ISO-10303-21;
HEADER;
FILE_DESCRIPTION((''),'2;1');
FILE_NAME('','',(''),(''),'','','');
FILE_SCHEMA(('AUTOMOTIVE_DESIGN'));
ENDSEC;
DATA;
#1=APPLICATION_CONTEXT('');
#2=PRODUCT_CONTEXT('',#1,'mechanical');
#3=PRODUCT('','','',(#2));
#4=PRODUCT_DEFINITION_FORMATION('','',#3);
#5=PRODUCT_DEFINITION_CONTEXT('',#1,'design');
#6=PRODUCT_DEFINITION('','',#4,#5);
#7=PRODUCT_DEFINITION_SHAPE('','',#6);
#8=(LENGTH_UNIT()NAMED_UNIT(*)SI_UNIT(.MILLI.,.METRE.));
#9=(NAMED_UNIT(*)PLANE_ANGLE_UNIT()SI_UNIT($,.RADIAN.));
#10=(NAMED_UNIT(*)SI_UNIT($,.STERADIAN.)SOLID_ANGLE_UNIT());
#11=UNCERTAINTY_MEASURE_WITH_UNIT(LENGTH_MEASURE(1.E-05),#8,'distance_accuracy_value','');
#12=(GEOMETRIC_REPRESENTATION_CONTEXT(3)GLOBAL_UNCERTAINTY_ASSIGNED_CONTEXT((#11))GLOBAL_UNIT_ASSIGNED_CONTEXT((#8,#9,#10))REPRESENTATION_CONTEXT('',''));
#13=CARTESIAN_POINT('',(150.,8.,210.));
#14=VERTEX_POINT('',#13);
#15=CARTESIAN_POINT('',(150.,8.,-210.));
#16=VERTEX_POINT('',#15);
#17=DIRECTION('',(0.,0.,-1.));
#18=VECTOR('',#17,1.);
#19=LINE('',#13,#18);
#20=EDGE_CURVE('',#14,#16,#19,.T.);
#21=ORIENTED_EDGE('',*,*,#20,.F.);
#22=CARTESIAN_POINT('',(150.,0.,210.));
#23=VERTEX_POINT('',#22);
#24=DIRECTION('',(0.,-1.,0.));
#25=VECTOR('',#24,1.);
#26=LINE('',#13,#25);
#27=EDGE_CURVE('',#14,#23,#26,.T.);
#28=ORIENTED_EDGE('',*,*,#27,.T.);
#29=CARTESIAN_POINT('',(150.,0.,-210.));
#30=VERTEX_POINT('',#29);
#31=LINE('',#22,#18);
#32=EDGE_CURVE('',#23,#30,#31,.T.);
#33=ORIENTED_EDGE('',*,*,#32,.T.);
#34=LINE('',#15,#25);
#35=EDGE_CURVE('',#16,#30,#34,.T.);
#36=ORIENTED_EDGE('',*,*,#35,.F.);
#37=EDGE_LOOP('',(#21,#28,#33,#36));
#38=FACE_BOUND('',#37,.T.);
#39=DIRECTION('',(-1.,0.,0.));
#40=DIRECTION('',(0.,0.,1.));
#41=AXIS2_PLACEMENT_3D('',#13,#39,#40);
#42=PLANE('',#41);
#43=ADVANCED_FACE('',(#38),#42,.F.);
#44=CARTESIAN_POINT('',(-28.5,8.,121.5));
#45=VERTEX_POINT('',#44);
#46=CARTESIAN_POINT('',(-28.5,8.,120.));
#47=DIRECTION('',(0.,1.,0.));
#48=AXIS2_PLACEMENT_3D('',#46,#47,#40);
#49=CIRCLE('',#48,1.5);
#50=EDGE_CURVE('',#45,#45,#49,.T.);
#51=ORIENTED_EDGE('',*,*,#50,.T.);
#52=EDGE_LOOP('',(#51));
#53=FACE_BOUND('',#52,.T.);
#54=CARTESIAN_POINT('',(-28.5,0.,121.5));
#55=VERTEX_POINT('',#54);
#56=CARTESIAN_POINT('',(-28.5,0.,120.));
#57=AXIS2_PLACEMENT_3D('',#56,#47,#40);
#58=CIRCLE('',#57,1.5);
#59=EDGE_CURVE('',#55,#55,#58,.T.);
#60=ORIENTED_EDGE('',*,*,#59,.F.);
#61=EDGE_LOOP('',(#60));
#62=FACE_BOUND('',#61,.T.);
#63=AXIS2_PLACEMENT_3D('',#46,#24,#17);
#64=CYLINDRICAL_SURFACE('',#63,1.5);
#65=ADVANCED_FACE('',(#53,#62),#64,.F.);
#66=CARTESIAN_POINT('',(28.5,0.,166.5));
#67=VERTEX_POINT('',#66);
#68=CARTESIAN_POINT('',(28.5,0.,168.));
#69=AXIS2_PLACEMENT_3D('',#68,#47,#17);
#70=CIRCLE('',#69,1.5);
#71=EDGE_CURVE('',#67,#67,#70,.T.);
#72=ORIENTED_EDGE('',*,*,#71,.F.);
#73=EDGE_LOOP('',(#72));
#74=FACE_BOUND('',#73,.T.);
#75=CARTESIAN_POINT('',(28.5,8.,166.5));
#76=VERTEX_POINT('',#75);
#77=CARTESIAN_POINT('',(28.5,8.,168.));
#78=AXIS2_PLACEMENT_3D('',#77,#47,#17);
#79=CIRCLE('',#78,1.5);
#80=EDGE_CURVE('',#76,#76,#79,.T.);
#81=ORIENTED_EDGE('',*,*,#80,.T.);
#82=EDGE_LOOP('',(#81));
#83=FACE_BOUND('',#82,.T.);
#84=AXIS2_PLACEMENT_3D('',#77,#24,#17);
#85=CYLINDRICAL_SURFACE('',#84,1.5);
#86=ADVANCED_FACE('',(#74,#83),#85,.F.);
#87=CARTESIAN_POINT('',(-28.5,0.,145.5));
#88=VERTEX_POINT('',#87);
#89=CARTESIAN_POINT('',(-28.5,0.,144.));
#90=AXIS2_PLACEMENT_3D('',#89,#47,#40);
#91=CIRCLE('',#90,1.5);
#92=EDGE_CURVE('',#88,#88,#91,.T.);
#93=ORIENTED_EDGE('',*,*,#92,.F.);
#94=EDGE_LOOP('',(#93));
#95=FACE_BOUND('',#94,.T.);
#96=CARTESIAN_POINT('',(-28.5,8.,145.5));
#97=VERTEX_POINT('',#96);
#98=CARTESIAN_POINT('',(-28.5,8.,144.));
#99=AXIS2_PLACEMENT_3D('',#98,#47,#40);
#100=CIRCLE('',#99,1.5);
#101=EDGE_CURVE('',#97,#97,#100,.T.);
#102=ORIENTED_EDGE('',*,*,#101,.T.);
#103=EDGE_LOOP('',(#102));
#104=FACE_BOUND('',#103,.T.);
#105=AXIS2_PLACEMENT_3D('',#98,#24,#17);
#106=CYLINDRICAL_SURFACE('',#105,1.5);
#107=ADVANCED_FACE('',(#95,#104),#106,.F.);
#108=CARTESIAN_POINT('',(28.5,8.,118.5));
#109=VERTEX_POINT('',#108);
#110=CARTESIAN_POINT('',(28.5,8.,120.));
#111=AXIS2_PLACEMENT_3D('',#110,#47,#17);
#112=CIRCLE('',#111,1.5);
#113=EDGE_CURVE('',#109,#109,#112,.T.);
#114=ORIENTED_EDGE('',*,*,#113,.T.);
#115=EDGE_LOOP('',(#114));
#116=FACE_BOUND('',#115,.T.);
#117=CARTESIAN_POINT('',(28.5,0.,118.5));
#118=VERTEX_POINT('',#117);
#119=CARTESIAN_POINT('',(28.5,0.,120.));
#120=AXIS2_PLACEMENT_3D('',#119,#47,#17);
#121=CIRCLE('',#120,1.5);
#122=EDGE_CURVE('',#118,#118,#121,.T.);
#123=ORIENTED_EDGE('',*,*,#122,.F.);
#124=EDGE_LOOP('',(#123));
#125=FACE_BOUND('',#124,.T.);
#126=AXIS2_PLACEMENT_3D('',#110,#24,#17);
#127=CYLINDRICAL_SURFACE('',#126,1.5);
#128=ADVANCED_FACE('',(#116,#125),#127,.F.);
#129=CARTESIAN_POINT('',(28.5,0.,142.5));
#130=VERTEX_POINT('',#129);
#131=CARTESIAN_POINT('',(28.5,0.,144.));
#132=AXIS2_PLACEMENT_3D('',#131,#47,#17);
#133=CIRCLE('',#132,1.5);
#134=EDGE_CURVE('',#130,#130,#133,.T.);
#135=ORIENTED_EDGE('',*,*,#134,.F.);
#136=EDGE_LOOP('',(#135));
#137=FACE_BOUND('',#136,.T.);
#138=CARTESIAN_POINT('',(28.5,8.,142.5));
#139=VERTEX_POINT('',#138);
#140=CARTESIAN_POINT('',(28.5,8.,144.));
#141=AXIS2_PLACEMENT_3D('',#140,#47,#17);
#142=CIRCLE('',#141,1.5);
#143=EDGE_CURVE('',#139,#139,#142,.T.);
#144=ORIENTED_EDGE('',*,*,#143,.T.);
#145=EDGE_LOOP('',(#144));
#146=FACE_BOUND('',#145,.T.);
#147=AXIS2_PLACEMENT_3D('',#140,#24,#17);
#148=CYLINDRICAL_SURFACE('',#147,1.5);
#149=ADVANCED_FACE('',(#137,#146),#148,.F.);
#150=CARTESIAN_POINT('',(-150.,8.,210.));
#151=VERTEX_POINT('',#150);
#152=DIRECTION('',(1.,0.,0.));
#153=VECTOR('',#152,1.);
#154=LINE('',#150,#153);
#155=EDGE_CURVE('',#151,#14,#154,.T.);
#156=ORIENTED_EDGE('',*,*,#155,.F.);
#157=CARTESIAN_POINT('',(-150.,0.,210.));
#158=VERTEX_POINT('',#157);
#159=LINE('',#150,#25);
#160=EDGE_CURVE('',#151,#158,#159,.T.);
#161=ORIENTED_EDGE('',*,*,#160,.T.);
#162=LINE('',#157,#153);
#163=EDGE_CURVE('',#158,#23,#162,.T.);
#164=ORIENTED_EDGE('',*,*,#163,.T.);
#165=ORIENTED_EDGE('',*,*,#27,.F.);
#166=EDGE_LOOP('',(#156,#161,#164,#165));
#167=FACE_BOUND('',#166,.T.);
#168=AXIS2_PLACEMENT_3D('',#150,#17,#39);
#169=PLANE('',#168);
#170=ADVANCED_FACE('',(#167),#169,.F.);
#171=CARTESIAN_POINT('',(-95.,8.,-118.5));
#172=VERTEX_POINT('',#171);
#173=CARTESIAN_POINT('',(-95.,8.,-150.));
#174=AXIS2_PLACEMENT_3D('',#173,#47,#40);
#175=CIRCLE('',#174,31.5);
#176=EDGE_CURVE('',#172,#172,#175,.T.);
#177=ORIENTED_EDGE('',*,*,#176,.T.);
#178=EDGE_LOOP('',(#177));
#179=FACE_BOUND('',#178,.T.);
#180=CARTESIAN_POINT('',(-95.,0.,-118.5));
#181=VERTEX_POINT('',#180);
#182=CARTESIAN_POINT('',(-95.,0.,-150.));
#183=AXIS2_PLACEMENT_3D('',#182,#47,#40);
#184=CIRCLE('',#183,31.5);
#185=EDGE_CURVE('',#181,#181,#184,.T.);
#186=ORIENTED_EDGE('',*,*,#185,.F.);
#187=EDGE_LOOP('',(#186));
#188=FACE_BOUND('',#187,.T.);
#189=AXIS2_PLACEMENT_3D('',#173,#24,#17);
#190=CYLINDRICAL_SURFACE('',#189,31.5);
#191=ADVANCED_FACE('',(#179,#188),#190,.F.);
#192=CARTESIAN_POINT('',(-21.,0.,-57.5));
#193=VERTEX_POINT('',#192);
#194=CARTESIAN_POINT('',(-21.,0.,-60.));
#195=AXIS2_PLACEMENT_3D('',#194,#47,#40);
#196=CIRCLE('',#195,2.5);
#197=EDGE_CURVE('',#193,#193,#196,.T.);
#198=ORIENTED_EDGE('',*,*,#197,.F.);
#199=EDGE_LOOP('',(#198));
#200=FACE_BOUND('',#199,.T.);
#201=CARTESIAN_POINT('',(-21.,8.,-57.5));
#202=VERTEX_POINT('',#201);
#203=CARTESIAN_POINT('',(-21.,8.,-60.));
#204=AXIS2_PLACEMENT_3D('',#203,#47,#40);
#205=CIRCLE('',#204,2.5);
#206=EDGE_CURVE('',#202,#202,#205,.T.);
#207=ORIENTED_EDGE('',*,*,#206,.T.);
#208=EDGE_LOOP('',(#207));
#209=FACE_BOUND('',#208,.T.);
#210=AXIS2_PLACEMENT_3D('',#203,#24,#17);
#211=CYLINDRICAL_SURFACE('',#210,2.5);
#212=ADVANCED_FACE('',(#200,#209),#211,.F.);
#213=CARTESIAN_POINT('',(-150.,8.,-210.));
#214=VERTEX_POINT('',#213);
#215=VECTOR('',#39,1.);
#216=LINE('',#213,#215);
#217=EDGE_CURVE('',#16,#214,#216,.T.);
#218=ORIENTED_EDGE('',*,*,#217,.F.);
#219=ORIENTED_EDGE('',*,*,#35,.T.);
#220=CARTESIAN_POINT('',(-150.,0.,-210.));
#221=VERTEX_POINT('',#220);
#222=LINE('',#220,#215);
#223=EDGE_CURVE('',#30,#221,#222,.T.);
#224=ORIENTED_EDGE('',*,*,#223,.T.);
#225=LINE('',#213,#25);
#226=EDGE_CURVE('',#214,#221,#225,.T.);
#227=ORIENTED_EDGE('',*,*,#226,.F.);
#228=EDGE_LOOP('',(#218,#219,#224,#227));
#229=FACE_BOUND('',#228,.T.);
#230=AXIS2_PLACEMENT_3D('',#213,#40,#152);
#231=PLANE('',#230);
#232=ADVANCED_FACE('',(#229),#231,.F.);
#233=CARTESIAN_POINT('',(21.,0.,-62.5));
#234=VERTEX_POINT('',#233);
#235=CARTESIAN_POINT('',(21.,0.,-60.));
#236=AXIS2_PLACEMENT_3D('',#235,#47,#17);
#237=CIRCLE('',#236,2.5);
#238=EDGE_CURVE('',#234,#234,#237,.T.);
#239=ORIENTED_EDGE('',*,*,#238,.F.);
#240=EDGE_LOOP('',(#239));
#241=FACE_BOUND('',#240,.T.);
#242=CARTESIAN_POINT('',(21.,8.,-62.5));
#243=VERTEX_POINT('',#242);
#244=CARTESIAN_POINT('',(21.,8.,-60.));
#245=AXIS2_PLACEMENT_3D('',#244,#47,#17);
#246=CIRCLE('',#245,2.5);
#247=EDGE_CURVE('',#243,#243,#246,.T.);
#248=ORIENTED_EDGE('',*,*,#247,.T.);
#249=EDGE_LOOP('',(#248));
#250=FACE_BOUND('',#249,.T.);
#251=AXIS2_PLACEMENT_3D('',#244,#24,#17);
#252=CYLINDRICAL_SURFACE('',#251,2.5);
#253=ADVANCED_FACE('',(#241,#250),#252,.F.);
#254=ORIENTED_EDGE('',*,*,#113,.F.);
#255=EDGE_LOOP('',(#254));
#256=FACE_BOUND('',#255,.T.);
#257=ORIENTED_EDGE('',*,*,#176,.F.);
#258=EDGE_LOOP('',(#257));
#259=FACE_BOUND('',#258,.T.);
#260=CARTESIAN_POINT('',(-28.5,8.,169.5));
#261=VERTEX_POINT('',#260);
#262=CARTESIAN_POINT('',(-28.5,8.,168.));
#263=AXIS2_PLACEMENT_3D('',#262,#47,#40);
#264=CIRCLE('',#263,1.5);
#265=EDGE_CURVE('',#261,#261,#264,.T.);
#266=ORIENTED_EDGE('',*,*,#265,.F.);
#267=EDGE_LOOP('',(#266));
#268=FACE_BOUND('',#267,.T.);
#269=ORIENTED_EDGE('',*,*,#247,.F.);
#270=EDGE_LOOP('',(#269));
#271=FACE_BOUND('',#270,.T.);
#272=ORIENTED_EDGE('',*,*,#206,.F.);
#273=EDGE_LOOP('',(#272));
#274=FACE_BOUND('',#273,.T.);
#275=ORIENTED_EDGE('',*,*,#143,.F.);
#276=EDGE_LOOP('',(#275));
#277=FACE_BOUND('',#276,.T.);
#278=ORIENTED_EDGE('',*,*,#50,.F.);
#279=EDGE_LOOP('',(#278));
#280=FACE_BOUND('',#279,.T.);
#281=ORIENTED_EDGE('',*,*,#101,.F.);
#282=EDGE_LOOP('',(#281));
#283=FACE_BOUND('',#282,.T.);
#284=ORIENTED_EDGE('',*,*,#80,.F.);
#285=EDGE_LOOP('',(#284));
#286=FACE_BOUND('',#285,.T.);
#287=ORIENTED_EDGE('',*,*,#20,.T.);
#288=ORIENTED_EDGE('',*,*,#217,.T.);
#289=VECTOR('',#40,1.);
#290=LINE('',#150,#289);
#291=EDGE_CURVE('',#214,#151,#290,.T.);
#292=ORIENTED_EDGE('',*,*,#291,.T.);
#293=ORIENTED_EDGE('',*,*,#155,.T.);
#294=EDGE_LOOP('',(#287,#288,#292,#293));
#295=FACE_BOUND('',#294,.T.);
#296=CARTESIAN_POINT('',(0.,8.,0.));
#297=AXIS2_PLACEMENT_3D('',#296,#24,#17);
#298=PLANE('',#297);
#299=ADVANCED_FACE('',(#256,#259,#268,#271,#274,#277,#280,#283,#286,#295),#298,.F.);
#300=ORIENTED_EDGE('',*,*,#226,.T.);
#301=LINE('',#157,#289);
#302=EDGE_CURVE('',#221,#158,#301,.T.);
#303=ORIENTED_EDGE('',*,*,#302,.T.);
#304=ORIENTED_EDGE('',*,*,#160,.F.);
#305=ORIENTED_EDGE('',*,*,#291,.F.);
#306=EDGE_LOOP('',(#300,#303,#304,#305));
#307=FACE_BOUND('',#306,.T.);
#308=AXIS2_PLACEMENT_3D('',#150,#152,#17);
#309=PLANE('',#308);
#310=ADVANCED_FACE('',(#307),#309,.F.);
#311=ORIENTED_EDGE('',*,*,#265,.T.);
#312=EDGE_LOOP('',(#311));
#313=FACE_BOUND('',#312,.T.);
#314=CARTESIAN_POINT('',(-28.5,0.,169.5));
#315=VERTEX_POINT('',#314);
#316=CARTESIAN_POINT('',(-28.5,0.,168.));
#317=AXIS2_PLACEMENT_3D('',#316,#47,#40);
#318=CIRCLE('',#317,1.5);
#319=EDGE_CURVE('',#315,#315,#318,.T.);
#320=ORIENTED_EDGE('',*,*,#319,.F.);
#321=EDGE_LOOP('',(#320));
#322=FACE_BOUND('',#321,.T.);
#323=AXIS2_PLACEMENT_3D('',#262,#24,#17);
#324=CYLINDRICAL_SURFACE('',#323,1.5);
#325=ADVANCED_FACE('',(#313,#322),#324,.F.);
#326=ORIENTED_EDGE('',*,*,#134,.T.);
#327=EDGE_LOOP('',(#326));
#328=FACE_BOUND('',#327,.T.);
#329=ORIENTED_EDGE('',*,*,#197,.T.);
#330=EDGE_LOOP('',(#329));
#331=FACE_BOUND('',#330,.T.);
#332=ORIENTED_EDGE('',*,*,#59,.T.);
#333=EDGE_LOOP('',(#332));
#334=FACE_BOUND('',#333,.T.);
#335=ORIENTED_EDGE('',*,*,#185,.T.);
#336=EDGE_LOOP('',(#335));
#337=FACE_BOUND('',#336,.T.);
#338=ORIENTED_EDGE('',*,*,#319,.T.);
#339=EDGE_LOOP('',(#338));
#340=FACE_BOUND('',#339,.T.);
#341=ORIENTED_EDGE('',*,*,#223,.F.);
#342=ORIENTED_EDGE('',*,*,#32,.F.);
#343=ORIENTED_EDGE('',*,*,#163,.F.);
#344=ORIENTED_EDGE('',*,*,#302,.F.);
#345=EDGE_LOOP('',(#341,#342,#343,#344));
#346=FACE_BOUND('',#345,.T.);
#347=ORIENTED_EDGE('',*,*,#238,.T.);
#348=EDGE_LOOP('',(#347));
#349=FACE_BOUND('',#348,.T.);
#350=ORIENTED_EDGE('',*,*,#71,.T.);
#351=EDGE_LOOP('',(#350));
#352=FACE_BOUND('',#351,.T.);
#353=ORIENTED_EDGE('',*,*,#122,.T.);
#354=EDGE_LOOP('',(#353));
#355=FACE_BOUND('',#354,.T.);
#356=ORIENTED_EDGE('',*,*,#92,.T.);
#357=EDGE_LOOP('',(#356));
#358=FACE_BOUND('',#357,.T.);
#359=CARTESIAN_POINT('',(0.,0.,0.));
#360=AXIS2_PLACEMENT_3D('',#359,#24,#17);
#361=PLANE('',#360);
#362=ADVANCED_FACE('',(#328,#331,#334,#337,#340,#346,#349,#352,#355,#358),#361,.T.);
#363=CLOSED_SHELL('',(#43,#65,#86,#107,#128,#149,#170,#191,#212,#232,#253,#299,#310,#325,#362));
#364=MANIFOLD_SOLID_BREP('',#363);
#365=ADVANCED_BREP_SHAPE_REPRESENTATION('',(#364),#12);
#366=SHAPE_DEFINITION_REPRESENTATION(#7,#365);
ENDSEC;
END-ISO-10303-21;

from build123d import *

# Parameters (mm, degrees)
SKETCH1_W           = 300
SKETCH1_H           = 420
SKETCH1_R           = 2.5
SKETCH1_R_2         = 1.5
SKETCH1_R_3         = 31.5
BOSS_EXTRUDE1_DEPTH = 8


with BuildPart() as part:
    # Sketch1 → Boss-Extrude1 (new body)
    with BuildSketch(Plane(origin=(0, 0, 0), x_dir=(1, 0, 0), z_dir=(0, 1, 0))):
        Rectangle(SKETCH1_W, SKETCH1_H)
        with Locations(Location((-21, 60, 0), (0, 0, 270))):
            Circle(SKETCH1_R, mode=Mode.SUBTRACT)
        with Locations(Location((21, 60, 0), (0, 0, 90))):
            Circle(SKETCH1_R, mode=Mode.SUBTRACT)
        with Locations(Location((-28.5, -120, 0), (0, 0, 270))):
            Circle(SKETCH1_R_2, mode=Mode.SUBTRACT)
        with Locations(Location((-28.5, -144, 0), (0, 0, 270))):
            Circle(SKETCH1_R_2, mode=Mode.SUBTRACT)
        with Locations(Location((-28.5, -168, 0), (0, 0, 270))):
            Circle(SKETCH1_R_2, mode=Mode.SUBTRACT)
        with Locations(Location((28.5, -168, 0), (0, 0, 90))):
            Circle(SKETCH1_R_2, mode=Mode.SUBTRACT)
        with Locations(Location((28.5, -144, 0), (0, 0, 90))):
            Circle(SKETCH1_R_2, mode=Mode.SUBTRACT)
        with Locations(Location((28.5, -120, 0), (0, 0, 90))):
            Circle(SKETCH1_R_2, mode=Mode.SUBTRACT)
        with Locations(Location((-95, 150, 0), (0, 0, 270))):
            Circle(SKETCH1_R_3, mode=Mode.SUBTRACT)
    extrude(amount=BOSS_EXTRUDE1_DEPTH)


solid = part.part
